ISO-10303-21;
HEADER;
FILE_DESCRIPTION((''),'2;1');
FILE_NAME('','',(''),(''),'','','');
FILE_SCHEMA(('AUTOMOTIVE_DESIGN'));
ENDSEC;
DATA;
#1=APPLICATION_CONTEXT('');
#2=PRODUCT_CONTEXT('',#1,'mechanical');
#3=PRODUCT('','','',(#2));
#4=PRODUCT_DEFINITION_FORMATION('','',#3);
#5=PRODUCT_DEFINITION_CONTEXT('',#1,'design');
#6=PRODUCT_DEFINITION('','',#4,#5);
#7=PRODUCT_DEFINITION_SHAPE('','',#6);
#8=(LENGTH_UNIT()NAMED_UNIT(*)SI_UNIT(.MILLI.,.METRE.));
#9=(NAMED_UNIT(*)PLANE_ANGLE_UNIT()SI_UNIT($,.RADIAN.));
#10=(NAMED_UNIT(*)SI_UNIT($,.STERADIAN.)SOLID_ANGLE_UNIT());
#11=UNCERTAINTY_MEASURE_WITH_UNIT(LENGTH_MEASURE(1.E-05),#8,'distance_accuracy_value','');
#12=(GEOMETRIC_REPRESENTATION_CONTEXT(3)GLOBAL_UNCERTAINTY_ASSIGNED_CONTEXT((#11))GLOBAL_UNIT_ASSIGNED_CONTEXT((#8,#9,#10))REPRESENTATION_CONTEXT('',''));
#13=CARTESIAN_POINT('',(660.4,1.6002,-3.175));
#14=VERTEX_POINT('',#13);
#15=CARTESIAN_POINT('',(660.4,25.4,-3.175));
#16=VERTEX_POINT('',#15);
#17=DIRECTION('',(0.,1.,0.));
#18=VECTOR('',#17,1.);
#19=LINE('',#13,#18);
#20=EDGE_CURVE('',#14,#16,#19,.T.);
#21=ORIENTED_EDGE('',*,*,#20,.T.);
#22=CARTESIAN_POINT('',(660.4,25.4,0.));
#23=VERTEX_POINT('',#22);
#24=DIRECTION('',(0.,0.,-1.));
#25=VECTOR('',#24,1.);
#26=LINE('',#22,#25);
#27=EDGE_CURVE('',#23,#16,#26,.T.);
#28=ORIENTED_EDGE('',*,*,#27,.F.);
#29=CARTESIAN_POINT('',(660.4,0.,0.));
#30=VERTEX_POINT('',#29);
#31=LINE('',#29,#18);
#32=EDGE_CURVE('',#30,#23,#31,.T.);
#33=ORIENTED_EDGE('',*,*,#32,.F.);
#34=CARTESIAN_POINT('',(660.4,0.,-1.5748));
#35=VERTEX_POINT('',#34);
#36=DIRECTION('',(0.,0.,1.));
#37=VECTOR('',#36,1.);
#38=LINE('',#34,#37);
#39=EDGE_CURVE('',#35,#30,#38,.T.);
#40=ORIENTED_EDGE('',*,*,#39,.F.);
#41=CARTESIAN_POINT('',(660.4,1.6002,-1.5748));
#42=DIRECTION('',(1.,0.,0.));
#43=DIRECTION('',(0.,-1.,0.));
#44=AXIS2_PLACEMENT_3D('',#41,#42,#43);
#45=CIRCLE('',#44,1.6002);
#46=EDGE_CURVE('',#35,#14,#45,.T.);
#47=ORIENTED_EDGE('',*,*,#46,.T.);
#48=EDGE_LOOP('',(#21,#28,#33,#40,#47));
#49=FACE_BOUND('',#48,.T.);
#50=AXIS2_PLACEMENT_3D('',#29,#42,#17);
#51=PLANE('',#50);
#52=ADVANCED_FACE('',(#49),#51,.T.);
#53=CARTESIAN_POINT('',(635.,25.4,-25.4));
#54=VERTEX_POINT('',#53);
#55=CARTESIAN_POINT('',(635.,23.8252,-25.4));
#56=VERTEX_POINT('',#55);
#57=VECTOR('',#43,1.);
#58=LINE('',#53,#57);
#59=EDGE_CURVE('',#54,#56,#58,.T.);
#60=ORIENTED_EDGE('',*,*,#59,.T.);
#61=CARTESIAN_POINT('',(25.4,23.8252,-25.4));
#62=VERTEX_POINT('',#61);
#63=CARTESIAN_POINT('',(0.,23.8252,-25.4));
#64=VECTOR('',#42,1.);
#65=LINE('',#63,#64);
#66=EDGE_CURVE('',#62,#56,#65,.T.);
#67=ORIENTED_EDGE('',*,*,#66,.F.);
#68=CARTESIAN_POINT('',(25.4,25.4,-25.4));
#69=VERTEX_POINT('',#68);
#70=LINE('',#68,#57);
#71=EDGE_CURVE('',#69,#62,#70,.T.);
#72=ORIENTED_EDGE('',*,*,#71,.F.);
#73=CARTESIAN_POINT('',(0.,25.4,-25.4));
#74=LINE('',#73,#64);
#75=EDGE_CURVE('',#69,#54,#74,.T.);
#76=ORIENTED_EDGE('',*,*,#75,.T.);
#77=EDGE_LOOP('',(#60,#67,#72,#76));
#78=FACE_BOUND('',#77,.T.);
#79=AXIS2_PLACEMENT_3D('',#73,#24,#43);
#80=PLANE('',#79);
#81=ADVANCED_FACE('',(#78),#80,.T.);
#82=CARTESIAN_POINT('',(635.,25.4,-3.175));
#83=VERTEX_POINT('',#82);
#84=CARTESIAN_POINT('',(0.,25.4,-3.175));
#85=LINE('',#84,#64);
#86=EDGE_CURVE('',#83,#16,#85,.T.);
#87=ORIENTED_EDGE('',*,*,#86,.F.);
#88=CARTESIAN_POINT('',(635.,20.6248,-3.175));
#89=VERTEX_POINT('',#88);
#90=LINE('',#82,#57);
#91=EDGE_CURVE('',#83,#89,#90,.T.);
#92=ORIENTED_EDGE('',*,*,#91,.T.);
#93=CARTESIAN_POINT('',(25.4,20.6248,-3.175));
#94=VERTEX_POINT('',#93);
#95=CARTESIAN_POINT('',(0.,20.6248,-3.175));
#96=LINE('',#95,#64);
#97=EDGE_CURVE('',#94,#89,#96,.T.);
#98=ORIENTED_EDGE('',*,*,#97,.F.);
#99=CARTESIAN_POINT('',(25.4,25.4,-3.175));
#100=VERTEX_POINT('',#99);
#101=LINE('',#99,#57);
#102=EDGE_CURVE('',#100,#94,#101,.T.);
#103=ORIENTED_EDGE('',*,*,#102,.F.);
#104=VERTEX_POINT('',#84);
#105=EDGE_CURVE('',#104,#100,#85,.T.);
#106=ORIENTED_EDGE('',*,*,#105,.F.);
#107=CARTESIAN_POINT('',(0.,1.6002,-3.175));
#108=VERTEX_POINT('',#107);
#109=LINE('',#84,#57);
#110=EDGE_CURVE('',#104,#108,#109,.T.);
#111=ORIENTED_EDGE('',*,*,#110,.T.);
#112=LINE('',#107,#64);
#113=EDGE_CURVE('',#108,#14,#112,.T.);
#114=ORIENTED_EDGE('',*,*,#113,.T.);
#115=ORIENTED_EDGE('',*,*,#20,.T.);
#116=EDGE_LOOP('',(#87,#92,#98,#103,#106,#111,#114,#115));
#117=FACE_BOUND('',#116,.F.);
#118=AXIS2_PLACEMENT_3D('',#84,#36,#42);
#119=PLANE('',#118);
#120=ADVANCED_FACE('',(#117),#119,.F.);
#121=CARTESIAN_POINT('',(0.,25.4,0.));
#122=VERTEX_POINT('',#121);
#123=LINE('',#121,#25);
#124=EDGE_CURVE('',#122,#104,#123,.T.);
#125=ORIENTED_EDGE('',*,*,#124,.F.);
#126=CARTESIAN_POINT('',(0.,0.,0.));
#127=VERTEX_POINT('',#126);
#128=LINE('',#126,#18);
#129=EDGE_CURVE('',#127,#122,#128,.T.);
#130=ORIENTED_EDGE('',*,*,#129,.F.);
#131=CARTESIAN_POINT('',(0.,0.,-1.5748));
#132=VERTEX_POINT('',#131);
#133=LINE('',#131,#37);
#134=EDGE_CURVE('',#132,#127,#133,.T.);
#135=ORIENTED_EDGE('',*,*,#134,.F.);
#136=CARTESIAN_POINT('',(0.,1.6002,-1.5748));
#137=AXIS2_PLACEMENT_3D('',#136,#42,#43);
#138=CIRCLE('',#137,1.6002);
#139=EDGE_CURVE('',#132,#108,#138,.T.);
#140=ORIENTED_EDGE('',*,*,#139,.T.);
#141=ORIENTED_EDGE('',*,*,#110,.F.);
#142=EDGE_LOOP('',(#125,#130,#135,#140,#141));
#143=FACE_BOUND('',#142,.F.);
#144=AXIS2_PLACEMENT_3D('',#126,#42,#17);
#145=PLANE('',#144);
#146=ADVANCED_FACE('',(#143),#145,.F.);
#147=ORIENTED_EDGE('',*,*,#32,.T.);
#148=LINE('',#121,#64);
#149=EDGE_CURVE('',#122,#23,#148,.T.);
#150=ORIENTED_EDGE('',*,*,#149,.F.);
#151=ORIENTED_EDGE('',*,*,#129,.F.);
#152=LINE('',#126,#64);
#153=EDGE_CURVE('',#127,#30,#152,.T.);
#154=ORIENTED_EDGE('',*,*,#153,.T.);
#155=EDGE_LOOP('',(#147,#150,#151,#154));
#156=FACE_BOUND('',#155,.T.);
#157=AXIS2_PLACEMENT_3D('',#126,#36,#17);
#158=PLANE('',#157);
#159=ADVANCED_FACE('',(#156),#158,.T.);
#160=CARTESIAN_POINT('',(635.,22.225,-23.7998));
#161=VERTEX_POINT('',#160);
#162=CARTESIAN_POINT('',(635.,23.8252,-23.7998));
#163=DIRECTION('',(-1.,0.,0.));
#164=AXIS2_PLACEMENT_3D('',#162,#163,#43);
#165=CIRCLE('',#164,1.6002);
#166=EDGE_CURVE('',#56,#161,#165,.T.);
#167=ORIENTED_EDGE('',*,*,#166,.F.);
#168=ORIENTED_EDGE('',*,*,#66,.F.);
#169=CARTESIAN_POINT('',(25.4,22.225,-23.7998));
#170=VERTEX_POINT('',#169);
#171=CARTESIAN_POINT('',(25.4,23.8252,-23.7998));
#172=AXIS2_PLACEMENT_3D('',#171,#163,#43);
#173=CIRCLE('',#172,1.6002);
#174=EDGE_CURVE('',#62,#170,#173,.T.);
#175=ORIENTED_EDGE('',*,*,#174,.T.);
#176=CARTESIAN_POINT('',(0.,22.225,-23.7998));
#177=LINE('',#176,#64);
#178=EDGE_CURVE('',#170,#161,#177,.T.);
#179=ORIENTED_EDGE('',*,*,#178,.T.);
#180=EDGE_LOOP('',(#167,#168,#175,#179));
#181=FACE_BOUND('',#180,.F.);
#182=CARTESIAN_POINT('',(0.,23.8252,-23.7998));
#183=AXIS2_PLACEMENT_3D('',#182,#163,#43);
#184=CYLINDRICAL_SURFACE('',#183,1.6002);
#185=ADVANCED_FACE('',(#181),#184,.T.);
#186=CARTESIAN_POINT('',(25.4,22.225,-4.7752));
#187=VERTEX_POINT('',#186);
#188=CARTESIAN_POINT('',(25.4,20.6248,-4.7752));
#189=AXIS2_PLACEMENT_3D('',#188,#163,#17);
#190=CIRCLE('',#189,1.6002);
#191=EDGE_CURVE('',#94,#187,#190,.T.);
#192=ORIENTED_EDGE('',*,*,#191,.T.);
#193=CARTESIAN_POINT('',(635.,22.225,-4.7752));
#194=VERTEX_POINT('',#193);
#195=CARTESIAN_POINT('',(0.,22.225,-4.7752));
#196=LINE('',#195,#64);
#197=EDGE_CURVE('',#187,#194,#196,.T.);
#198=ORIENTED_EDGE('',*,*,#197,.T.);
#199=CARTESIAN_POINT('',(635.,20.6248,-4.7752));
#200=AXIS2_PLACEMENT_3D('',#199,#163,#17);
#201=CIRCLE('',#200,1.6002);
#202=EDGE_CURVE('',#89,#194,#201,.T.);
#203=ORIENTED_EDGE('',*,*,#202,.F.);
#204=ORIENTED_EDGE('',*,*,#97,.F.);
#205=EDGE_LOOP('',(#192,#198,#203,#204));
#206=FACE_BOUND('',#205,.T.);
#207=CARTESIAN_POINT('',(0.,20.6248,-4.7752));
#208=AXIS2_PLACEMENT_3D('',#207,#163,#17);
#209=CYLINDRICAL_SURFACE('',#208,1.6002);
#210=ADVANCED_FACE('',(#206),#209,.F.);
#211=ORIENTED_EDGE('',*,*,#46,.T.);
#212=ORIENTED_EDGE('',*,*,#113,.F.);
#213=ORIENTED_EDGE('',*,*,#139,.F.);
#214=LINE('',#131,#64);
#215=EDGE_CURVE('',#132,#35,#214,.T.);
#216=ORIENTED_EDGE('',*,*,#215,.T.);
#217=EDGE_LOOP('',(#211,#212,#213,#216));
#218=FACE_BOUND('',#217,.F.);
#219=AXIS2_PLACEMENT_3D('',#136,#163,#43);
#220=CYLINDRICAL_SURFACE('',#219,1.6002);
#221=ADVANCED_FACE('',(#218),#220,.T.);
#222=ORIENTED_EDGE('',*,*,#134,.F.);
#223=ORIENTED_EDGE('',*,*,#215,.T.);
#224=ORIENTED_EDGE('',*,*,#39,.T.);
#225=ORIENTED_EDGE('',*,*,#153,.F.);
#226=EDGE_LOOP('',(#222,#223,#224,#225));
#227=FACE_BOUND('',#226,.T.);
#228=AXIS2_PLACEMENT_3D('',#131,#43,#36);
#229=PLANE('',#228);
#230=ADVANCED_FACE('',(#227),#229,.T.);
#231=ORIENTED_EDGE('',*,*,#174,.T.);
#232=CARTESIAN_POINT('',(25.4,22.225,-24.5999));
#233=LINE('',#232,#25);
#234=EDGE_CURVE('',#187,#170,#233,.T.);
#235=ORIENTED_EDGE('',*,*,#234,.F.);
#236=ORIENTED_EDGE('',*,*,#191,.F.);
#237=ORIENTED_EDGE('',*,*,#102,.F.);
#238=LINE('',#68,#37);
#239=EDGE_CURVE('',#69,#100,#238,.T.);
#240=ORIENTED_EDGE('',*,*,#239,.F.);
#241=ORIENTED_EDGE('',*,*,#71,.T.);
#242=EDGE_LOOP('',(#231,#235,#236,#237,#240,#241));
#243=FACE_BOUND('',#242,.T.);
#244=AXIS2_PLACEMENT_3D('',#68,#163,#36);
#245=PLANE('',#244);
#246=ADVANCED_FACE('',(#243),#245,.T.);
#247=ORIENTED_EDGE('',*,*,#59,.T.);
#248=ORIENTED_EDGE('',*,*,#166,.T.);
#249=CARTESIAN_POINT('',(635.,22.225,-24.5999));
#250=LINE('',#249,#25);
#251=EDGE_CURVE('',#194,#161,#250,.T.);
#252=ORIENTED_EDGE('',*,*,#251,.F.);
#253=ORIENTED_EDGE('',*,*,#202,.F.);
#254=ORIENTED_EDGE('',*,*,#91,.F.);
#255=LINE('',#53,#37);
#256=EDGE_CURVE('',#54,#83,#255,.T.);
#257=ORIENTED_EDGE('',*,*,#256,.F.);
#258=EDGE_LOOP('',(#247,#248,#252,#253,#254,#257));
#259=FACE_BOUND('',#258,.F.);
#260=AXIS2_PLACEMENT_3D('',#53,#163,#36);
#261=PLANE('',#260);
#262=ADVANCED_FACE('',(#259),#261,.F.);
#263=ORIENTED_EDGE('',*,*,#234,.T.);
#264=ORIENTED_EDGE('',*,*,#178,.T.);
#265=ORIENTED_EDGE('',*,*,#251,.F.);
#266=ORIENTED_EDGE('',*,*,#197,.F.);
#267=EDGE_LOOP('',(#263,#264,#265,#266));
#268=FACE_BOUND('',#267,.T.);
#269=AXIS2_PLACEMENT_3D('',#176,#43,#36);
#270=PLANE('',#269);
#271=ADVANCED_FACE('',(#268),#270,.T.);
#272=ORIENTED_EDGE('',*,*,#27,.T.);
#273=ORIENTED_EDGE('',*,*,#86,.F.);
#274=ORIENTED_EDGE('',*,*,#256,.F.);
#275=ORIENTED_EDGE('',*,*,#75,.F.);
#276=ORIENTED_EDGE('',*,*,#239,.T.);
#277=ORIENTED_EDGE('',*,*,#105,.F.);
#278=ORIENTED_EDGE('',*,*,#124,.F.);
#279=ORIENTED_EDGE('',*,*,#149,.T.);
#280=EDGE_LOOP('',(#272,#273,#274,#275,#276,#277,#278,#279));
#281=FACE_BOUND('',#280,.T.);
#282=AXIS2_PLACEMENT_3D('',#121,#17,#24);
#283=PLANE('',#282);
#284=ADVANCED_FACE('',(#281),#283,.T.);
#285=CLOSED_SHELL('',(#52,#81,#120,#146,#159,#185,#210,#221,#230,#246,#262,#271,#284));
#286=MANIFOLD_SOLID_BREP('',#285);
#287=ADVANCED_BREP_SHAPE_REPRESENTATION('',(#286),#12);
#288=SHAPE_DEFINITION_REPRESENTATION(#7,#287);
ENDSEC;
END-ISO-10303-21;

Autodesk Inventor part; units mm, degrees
ref_plane "YZ Plane" through (0, 0, 0) normal (1, 0, 0) x (0, 1, 0)
ref_plane "XZ Plane" through (0, 0, 0) normal (0, 1, 0) x (-1, 0, 0)
ref_plane "XY Plane" through (0, 0, 0) normal (0, 0, 1) x (1, 0, 0)
sketch "Sketch1" plane through (0, 0, 0) normal (1, 0, 0) x (0, 1, 0)
  line L0 (0, 0) -> (25.4, 0)
  line L1 (25.4, 0) -> (25.4, -25.4)
  line L2 (25.4, -25.4) -> (23.8252, -25.4)
  line L3 (0, -1.5748) -> (0, 0)
  line L4 (25.4, 0) -> (22.225, 0) construction
  line L5 (22.225, 0) -> (22.225, -3.175) construction
  line L6 (22.225, -3.175) -> (25.4, -3.175) construction
  line L7 (25.4, -3.175) -> (25.4, 0) construction
  line L8 (25.4, -25.4) -> (22.225, -25.4) construction
  line L9 (0, 0) -> (0, -3.175) construction
  line L10 (1.6002, -3.175) -> (20.6248, -3.175)
  line L11 (22.225, -23.7998) -> (22.225, -4.7752)
  arc A0 (22.225, -23.7998) -> (23.8252, -25.4) centre (23.8252, -23.7998) ccw
  arc A1 (0, -1.5748) -> (1.6002, -3.175) centre (1.6002, -1.5748) ccw
  arc A2 (22.225, -4.7752) -> (20.6248, -3.175) centre (20.6248, -4.7752) ccw
  point P0 (0, -25.4)
  dimension "d0" = 25.4
  dimension "d1" = 25.4
  dimension "d2" = 3.175
  dimension "d3" = 3.175
  dimension "d4" = 3.175
  dimension "d5" = 3.175
  dimension "d6" = 1.6002
  dimension "d7" = 1.6002
extrude "Extrusion1" add sketch "Sketch1" along normal blind 660.4
sketch "Sketch2" plane through (0, 25.4, 0) normal (0, 1, 0) x (1, 0, 0)
  line L0 (0, 25.4) -> (0, 23.7998) projected
  line L1 (0, 3.175) -> (660.4, 3.175) projected
  line L2 (0, 25.4) -> (25.4, 25.4)
  line L3 (25.4, 25.4) -> (25.4, 3.175)
  line L4 (25.4, 3.175) -> (0, 3.175)
  line L5 (0, 3.175) -> (0, 25.4)
  line L6 (660.4, 25.4) -> (635, 25.4)
  line L7 (635, 25.4) -> (635, 3.175)
  line L8 (635, 3.175) -> (660.4, 3.175)
  line L9 (660.4, 3.175) -> (660.4, 25.4)
  point P0 (0, 0)
  dimension "d10" = 25.4
  dimension "d11" = 25.4
  dimension "d12" = 22.225
extrude "Extrusion2" cut sketch "Sketch2" against normal blind 25.4
properties part number "24in1.0Lch" material "Steel, Mild"
